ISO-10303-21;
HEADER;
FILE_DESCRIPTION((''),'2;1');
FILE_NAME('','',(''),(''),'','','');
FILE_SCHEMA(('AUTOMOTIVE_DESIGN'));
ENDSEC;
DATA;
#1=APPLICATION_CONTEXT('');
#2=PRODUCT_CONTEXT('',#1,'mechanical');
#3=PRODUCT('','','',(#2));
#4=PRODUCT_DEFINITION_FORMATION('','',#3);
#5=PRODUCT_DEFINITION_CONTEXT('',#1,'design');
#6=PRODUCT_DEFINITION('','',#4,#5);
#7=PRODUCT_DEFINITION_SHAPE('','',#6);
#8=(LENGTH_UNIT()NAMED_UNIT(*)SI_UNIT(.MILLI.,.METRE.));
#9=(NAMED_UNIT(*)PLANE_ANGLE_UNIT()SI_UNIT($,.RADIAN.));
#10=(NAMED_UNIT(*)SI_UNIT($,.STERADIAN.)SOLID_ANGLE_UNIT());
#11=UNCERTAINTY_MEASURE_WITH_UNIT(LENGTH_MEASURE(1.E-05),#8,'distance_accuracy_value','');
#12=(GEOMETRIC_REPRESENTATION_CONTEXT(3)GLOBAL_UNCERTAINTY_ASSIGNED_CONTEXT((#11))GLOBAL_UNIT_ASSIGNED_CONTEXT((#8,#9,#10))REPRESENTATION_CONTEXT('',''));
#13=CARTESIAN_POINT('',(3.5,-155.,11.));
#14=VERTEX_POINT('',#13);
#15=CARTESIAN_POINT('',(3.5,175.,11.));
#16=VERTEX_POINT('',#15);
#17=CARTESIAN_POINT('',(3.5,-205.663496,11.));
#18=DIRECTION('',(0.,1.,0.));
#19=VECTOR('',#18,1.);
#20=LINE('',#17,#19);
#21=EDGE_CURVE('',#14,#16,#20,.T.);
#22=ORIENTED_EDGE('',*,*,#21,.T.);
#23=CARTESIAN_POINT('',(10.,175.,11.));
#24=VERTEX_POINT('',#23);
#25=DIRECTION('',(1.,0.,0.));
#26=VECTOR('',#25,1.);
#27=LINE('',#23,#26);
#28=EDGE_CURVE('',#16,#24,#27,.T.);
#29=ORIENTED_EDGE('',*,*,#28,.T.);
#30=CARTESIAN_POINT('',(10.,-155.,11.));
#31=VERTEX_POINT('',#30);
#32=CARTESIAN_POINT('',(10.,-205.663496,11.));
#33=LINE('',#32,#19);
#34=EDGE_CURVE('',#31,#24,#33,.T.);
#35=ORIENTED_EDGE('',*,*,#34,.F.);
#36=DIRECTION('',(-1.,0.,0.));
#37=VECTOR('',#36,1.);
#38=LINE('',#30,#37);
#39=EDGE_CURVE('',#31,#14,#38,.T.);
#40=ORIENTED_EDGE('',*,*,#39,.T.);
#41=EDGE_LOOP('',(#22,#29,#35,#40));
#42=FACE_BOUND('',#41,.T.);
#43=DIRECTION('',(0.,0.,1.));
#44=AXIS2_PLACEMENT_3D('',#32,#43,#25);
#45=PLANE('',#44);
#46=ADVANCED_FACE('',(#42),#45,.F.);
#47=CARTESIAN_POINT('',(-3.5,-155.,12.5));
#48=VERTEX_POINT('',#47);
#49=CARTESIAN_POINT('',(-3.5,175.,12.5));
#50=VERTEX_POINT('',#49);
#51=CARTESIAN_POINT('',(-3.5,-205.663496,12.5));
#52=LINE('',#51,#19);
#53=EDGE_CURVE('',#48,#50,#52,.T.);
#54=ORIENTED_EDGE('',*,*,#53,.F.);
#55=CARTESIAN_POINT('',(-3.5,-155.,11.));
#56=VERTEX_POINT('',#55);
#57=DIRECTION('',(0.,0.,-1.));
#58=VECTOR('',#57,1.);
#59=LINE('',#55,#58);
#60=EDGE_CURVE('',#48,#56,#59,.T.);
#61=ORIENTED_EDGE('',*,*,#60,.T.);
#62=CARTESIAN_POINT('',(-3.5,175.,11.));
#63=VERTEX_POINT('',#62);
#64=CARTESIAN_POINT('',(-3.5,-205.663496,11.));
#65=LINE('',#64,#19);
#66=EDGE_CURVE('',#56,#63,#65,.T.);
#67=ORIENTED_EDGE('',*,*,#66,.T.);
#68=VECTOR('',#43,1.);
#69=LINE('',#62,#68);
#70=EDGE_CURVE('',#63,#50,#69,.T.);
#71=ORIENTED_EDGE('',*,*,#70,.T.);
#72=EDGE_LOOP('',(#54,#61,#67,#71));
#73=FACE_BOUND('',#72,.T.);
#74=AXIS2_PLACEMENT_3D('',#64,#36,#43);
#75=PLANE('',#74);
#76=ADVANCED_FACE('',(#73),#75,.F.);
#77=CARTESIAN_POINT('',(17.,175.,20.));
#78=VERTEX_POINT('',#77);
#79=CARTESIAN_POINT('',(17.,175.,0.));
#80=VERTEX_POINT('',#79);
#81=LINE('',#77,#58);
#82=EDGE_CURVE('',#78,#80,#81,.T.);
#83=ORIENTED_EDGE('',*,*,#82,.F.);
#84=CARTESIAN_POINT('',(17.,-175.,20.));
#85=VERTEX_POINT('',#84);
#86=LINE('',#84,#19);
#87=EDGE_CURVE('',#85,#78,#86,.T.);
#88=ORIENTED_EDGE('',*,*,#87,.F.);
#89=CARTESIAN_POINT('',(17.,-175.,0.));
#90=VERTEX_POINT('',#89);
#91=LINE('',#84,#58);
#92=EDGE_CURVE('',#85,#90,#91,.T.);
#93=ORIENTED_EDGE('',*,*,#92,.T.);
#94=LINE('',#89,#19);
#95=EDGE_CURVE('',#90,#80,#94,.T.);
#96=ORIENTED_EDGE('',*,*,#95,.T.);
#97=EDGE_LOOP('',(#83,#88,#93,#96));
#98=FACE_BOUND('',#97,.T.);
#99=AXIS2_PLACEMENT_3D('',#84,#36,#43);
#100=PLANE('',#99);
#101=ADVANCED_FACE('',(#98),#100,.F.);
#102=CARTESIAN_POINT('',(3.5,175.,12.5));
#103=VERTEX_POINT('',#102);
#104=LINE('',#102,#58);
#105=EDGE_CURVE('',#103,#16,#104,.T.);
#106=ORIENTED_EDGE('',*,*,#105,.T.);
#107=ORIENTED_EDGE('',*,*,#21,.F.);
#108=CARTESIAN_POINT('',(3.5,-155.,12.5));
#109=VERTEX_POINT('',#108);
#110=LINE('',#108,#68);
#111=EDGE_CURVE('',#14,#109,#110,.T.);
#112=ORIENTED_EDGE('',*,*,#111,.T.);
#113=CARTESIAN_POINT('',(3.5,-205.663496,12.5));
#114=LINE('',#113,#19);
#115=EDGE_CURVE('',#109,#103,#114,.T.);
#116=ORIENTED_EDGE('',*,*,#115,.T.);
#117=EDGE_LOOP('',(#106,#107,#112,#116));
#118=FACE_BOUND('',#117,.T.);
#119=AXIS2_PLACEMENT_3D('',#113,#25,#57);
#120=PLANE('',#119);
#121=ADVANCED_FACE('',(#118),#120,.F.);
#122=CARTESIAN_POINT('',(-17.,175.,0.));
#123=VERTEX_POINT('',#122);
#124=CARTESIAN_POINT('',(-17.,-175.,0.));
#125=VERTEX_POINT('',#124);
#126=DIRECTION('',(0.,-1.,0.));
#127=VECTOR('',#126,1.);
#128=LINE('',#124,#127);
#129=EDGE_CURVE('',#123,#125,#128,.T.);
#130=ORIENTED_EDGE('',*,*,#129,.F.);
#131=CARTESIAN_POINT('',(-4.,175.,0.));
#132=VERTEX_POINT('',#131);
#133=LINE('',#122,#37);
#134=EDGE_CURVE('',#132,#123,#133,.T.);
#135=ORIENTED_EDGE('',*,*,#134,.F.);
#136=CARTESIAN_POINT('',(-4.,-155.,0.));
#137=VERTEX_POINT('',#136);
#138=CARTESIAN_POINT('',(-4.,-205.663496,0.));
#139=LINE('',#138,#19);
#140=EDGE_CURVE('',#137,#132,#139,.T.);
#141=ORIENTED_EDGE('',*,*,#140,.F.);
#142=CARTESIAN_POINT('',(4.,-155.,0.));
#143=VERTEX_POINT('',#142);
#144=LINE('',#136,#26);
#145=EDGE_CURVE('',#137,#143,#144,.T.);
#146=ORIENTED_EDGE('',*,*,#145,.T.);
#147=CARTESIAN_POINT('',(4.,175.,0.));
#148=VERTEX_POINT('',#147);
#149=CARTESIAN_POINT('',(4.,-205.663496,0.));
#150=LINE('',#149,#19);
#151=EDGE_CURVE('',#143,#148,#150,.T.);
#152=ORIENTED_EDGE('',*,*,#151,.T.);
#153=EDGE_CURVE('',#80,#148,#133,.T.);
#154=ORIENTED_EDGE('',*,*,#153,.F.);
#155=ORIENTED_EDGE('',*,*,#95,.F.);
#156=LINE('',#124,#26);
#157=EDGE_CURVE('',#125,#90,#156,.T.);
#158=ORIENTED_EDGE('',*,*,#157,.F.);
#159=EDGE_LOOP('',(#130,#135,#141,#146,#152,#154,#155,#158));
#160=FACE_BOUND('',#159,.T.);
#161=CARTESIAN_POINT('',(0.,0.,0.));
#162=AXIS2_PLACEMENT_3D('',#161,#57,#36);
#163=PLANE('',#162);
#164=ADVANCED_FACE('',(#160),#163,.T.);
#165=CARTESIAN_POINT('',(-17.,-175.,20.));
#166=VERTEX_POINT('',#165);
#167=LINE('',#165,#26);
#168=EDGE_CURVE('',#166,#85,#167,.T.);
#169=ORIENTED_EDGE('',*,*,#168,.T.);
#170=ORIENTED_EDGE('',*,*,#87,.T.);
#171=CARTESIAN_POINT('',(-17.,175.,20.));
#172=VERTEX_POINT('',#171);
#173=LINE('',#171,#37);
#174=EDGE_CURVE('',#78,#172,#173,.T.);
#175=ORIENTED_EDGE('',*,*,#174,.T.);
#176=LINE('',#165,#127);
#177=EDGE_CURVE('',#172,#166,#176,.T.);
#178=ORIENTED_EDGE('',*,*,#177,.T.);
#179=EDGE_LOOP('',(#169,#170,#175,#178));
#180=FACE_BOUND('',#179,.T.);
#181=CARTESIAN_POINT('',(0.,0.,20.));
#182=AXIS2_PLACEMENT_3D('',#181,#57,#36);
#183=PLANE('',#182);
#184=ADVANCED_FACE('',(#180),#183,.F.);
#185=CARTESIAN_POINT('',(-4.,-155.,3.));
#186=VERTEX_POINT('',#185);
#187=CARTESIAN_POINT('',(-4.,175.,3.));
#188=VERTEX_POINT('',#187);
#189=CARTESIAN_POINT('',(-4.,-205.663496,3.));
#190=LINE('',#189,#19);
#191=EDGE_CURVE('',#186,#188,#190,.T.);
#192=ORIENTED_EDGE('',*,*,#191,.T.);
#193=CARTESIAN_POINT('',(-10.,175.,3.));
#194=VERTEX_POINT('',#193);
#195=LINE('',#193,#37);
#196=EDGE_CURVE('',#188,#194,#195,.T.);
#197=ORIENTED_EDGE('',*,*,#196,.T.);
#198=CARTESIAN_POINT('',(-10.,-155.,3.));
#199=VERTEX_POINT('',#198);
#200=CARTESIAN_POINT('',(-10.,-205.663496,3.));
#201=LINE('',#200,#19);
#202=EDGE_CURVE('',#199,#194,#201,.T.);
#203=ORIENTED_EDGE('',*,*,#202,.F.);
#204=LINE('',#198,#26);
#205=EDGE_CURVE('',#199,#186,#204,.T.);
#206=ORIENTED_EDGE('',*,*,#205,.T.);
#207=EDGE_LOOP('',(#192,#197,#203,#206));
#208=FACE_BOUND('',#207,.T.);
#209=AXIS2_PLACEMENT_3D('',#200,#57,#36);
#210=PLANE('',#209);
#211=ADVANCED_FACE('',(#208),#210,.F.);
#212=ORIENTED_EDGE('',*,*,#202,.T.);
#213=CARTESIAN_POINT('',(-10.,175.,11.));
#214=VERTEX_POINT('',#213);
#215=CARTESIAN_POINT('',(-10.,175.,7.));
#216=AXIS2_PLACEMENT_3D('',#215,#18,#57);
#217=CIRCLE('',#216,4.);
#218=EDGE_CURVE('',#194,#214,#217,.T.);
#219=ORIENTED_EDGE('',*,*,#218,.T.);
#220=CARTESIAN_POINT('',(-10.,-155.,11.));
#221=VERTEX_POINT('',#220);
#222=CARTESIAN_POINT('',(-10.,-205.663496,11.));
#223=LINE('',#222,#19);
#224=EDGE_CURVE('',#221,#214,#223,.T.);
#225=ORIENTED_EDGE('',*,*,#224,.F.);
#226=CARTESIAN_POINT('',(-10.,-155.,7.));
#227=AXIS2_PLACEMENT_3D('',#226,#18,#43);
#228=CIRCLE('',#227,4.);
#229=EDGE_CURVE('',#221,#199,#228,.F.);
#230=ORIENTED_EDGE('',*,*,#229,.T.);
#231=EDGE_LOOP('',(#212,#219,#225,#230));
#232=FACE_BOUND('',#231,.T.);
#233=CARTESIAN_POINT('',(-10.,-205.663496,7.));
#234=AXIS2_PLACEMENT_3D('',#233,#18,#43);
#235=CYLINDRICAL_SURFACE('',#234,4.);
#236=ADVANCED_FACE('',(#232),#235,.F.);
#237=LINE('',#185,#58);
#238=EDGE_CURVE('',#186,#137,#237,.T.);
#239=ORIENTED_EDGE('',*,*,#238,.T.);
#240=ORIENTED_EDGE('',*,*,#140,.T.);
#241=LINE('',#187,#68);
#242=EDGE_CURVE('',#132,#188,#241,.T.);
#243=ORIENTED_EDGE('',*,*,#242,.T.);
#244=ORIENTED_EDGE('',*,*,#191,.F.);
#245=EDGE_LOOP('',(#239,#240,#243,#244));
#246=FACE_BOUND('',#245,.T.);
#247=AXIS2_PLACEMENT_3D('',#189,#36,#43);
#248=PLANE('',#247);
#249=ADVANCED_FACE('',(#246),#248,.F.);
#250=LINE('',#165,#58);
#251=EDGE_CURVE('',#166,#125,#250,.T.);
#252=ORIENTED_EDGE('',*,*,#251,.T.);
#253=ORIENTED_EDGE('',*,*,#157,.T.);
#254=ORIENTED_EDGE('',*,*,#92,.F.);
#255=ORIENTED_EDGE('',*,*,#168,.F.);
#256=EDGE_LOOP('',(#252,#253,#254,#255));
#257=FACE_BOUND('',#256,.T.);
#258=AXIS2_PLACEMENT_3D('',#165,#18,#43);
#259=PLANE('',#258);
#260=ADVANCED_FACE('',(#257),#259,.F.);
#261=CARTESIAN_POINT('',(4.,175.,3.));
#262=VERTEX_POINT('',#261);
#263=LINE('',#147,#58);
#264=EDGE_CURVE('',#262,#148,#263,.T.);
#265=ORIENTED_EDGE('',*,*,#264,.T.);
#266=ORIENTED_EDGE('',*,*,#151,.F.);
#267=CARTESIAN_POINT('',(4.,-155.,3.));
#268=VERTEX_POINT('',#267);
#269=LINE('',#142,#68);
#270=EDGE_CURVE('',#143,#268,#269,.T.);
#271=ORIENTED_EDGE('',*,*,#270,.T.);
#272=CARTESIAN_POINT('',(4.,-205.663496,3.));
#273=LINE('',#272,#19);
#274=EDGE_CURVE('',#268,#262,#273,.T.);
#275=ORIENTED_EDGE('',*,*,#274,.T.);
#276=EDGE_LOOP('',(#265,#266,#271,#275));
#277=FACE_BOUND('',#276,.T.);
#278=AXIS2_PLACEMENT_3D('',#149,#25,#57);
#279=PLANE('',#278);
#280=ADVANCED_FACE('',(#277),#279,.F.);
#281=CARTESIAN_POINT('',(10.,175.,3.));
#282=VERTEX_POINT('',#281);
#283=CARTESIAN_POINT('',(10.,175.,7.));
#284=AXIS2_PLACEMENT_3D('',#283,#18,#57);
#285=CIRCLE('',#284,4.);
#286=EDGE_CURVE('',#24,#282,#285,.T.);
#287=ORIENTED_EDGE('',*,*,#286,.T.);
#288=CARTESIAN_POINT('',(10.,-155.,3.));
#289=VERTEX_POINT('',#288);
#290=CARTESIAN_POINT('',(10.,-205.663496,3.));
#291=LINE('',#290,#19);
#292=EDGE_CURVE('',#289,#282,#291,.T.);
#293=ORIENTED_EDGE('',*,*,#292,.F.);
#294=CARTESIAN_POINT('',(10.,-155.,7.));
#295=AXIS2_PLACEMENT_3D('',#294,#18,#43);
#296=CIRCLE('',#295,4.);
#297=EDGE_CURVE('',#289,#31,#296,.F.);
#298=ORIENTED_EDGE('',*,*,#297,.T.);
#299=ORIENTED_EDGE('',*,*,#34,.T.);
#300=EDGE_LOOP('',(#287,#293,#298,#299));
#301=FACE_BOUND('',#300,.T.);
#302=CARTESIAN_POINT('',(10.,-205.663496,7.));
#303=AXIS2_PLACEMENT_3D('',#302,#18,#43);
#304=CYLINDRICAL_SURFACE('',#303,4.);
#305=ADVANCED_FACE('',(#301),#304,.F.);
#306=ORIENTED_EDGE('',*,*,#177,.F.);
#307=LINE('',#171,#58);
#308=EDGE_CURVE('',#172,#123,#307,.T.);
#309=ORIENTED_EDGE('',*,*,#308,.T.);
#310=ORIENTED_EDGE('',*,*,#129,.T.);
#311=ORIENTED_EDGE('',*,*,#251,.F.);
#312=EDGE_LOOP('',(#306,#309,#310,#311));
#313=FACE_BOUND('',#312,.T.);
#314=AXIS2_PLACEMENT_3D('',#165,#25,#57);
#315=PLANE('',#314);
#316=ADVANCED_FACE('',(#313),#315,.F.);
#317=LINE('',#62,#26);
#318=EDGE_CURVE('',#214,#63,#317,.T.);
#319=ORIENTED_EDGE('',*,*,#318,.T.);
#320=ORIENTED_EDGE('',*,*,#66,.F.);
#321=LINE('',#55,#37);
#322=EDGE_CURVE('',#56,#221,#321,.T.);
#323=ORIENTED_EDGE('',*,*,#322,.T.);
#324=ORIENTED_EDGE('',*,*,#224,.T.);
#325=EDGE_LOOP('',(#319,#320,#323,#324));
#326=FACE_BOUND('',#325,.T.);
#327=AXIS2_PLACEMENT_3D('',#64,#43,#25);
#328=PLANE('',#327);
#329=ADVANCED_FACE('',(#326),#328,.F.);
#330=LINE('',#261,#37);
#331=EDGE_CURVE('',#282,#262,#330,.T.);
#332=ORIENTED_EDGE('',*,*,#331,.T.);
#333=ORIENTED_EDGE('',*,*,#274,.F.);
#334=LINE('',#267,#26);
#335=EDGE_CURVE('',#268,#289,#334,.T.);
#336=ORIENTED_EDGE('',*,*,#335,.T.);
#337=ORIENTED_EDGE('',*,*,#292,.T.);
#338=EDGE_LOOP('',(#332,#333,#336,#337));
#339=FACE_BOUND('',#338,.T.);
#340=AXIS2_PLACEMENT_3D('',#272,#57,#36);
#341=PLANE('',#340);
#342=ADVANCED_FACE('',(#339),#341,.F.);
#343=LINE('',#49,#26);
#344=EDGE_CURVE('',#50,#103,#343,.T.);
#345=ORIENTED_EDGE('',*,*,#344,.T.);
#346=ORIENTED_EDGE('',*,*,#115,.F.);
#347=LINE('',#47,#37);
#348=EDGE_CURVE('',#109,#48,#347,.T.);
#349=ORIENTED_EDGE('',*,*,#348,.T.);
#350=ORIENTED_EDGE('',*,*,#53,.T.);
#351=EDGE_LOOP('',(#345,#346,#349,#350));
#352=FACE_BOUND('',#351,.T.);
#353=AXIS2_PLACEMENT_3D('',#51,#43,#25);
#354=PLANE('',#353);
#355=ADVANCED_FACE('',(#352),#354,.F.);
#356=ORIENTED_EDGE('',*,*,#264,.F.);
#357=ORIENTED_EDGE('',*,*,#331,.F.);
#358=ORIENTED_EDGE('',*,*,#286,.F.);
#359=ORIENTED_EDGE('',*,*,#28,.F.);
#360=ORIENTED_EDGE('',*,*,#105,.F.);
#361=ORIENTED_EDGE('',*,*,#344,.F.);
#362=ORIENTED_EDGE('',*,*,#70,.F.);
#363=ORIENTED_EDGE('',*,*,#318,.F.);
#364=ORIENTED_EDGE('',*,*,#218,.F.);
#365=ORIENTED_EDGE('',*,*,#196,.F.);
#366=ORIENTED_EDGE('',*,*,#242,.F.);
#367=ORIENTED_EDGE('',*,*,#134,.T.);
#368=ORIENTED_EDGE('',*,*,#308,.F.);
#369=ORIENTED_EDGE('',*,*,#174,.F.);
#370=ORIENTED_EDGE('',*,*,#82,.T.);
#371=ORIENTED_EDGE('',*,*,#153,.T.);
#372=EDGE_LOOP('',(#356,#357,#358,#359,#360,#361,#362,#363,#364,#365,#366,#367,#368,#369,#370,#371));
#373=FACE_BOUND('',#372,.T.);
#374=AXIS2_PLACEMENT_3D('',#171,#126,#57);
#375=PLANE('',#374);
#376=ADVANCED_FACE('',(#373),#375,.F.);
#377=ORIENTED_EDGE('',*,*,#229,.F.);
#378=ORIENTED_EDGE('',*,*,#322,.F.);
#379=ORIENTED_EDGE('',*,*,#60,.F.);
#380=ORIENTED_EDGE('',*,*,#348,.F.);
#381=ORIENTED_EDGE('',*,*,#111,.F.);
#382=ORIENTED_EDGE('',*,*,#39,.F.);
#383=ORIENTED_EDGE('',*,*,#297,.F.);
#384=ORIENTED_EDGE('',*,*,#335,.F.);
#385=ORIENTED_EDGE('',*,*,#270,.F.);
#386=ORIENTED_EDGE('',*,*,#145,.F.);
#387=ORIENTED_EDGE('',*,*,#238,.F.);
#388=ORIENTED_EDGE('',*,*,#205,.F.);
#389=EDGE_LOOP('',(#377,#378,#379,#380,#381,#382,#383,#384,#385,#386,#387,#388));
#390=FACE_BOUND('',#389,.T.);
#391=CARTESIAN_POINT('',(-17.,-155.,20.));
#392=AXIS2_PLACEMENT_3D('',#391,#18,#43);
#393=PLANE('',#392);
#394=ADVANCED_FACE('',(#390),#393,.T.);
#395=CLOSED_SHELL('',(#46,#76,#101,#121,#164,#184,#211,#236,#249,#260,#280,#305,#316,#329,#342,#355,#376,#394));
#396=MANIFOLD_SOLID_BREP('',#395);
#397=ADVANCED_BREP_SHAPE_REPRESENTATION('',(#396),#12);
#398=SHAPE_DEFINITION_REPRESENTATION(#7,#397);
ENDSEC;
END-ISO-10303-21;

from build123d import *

# Parameters (mm, degrees)
SKETCH1_W           = 34
SKETCH1_H           = 350
BOSS_EXTRUDE1_DEPTH = 20
CUT_EXTRUDE1_DEPTH  = 330


with BuildPart() as part:
    # Sketch1 → Boss-Extrude1 (new body)
    with BuildSketch(Plane.XY):
        Rectangle(SKETCH1_W, SKETCH1_H)
    extrude(amount=BOSS_EXTRUDE1_DEPTH)

    # Sketch2 → Cut-Extrude1 (cut)
    with BuildSketch(Plane(origin=(0, 175, 0), x_dir=(1, 0, 0), z_dir=(0, 1, 0))):
        with BuildLine():
            Line((-10, -3), (-4, -3))
            Line((-4, -3), (-4, 0))
            Line((-4, 0), (4, 0))
            Line((4, 0), (4, -3))
            Line((4, -3), (10, -3))
            ThreePointArc((10, -3), (14, -7), (10, -11))
            Line((10, -11), (3.5, -11))
            Line((3.5, -11), (3.5, -12.5))
            Line((3.5, -12.5), (-3.5, -12.5))
            Line((-3.5, -12.5), (-3.5, -11))
            Line((-3.5, -11), (-10, -11))
            ThreePointArc((-10, -11), (-14, -7), (-10, -3))
        make_face()
    extrude(amount=-CUT_EXTRUDE1_DEPTH, mode=Mode.SUBTRACT)


solid = part.part
